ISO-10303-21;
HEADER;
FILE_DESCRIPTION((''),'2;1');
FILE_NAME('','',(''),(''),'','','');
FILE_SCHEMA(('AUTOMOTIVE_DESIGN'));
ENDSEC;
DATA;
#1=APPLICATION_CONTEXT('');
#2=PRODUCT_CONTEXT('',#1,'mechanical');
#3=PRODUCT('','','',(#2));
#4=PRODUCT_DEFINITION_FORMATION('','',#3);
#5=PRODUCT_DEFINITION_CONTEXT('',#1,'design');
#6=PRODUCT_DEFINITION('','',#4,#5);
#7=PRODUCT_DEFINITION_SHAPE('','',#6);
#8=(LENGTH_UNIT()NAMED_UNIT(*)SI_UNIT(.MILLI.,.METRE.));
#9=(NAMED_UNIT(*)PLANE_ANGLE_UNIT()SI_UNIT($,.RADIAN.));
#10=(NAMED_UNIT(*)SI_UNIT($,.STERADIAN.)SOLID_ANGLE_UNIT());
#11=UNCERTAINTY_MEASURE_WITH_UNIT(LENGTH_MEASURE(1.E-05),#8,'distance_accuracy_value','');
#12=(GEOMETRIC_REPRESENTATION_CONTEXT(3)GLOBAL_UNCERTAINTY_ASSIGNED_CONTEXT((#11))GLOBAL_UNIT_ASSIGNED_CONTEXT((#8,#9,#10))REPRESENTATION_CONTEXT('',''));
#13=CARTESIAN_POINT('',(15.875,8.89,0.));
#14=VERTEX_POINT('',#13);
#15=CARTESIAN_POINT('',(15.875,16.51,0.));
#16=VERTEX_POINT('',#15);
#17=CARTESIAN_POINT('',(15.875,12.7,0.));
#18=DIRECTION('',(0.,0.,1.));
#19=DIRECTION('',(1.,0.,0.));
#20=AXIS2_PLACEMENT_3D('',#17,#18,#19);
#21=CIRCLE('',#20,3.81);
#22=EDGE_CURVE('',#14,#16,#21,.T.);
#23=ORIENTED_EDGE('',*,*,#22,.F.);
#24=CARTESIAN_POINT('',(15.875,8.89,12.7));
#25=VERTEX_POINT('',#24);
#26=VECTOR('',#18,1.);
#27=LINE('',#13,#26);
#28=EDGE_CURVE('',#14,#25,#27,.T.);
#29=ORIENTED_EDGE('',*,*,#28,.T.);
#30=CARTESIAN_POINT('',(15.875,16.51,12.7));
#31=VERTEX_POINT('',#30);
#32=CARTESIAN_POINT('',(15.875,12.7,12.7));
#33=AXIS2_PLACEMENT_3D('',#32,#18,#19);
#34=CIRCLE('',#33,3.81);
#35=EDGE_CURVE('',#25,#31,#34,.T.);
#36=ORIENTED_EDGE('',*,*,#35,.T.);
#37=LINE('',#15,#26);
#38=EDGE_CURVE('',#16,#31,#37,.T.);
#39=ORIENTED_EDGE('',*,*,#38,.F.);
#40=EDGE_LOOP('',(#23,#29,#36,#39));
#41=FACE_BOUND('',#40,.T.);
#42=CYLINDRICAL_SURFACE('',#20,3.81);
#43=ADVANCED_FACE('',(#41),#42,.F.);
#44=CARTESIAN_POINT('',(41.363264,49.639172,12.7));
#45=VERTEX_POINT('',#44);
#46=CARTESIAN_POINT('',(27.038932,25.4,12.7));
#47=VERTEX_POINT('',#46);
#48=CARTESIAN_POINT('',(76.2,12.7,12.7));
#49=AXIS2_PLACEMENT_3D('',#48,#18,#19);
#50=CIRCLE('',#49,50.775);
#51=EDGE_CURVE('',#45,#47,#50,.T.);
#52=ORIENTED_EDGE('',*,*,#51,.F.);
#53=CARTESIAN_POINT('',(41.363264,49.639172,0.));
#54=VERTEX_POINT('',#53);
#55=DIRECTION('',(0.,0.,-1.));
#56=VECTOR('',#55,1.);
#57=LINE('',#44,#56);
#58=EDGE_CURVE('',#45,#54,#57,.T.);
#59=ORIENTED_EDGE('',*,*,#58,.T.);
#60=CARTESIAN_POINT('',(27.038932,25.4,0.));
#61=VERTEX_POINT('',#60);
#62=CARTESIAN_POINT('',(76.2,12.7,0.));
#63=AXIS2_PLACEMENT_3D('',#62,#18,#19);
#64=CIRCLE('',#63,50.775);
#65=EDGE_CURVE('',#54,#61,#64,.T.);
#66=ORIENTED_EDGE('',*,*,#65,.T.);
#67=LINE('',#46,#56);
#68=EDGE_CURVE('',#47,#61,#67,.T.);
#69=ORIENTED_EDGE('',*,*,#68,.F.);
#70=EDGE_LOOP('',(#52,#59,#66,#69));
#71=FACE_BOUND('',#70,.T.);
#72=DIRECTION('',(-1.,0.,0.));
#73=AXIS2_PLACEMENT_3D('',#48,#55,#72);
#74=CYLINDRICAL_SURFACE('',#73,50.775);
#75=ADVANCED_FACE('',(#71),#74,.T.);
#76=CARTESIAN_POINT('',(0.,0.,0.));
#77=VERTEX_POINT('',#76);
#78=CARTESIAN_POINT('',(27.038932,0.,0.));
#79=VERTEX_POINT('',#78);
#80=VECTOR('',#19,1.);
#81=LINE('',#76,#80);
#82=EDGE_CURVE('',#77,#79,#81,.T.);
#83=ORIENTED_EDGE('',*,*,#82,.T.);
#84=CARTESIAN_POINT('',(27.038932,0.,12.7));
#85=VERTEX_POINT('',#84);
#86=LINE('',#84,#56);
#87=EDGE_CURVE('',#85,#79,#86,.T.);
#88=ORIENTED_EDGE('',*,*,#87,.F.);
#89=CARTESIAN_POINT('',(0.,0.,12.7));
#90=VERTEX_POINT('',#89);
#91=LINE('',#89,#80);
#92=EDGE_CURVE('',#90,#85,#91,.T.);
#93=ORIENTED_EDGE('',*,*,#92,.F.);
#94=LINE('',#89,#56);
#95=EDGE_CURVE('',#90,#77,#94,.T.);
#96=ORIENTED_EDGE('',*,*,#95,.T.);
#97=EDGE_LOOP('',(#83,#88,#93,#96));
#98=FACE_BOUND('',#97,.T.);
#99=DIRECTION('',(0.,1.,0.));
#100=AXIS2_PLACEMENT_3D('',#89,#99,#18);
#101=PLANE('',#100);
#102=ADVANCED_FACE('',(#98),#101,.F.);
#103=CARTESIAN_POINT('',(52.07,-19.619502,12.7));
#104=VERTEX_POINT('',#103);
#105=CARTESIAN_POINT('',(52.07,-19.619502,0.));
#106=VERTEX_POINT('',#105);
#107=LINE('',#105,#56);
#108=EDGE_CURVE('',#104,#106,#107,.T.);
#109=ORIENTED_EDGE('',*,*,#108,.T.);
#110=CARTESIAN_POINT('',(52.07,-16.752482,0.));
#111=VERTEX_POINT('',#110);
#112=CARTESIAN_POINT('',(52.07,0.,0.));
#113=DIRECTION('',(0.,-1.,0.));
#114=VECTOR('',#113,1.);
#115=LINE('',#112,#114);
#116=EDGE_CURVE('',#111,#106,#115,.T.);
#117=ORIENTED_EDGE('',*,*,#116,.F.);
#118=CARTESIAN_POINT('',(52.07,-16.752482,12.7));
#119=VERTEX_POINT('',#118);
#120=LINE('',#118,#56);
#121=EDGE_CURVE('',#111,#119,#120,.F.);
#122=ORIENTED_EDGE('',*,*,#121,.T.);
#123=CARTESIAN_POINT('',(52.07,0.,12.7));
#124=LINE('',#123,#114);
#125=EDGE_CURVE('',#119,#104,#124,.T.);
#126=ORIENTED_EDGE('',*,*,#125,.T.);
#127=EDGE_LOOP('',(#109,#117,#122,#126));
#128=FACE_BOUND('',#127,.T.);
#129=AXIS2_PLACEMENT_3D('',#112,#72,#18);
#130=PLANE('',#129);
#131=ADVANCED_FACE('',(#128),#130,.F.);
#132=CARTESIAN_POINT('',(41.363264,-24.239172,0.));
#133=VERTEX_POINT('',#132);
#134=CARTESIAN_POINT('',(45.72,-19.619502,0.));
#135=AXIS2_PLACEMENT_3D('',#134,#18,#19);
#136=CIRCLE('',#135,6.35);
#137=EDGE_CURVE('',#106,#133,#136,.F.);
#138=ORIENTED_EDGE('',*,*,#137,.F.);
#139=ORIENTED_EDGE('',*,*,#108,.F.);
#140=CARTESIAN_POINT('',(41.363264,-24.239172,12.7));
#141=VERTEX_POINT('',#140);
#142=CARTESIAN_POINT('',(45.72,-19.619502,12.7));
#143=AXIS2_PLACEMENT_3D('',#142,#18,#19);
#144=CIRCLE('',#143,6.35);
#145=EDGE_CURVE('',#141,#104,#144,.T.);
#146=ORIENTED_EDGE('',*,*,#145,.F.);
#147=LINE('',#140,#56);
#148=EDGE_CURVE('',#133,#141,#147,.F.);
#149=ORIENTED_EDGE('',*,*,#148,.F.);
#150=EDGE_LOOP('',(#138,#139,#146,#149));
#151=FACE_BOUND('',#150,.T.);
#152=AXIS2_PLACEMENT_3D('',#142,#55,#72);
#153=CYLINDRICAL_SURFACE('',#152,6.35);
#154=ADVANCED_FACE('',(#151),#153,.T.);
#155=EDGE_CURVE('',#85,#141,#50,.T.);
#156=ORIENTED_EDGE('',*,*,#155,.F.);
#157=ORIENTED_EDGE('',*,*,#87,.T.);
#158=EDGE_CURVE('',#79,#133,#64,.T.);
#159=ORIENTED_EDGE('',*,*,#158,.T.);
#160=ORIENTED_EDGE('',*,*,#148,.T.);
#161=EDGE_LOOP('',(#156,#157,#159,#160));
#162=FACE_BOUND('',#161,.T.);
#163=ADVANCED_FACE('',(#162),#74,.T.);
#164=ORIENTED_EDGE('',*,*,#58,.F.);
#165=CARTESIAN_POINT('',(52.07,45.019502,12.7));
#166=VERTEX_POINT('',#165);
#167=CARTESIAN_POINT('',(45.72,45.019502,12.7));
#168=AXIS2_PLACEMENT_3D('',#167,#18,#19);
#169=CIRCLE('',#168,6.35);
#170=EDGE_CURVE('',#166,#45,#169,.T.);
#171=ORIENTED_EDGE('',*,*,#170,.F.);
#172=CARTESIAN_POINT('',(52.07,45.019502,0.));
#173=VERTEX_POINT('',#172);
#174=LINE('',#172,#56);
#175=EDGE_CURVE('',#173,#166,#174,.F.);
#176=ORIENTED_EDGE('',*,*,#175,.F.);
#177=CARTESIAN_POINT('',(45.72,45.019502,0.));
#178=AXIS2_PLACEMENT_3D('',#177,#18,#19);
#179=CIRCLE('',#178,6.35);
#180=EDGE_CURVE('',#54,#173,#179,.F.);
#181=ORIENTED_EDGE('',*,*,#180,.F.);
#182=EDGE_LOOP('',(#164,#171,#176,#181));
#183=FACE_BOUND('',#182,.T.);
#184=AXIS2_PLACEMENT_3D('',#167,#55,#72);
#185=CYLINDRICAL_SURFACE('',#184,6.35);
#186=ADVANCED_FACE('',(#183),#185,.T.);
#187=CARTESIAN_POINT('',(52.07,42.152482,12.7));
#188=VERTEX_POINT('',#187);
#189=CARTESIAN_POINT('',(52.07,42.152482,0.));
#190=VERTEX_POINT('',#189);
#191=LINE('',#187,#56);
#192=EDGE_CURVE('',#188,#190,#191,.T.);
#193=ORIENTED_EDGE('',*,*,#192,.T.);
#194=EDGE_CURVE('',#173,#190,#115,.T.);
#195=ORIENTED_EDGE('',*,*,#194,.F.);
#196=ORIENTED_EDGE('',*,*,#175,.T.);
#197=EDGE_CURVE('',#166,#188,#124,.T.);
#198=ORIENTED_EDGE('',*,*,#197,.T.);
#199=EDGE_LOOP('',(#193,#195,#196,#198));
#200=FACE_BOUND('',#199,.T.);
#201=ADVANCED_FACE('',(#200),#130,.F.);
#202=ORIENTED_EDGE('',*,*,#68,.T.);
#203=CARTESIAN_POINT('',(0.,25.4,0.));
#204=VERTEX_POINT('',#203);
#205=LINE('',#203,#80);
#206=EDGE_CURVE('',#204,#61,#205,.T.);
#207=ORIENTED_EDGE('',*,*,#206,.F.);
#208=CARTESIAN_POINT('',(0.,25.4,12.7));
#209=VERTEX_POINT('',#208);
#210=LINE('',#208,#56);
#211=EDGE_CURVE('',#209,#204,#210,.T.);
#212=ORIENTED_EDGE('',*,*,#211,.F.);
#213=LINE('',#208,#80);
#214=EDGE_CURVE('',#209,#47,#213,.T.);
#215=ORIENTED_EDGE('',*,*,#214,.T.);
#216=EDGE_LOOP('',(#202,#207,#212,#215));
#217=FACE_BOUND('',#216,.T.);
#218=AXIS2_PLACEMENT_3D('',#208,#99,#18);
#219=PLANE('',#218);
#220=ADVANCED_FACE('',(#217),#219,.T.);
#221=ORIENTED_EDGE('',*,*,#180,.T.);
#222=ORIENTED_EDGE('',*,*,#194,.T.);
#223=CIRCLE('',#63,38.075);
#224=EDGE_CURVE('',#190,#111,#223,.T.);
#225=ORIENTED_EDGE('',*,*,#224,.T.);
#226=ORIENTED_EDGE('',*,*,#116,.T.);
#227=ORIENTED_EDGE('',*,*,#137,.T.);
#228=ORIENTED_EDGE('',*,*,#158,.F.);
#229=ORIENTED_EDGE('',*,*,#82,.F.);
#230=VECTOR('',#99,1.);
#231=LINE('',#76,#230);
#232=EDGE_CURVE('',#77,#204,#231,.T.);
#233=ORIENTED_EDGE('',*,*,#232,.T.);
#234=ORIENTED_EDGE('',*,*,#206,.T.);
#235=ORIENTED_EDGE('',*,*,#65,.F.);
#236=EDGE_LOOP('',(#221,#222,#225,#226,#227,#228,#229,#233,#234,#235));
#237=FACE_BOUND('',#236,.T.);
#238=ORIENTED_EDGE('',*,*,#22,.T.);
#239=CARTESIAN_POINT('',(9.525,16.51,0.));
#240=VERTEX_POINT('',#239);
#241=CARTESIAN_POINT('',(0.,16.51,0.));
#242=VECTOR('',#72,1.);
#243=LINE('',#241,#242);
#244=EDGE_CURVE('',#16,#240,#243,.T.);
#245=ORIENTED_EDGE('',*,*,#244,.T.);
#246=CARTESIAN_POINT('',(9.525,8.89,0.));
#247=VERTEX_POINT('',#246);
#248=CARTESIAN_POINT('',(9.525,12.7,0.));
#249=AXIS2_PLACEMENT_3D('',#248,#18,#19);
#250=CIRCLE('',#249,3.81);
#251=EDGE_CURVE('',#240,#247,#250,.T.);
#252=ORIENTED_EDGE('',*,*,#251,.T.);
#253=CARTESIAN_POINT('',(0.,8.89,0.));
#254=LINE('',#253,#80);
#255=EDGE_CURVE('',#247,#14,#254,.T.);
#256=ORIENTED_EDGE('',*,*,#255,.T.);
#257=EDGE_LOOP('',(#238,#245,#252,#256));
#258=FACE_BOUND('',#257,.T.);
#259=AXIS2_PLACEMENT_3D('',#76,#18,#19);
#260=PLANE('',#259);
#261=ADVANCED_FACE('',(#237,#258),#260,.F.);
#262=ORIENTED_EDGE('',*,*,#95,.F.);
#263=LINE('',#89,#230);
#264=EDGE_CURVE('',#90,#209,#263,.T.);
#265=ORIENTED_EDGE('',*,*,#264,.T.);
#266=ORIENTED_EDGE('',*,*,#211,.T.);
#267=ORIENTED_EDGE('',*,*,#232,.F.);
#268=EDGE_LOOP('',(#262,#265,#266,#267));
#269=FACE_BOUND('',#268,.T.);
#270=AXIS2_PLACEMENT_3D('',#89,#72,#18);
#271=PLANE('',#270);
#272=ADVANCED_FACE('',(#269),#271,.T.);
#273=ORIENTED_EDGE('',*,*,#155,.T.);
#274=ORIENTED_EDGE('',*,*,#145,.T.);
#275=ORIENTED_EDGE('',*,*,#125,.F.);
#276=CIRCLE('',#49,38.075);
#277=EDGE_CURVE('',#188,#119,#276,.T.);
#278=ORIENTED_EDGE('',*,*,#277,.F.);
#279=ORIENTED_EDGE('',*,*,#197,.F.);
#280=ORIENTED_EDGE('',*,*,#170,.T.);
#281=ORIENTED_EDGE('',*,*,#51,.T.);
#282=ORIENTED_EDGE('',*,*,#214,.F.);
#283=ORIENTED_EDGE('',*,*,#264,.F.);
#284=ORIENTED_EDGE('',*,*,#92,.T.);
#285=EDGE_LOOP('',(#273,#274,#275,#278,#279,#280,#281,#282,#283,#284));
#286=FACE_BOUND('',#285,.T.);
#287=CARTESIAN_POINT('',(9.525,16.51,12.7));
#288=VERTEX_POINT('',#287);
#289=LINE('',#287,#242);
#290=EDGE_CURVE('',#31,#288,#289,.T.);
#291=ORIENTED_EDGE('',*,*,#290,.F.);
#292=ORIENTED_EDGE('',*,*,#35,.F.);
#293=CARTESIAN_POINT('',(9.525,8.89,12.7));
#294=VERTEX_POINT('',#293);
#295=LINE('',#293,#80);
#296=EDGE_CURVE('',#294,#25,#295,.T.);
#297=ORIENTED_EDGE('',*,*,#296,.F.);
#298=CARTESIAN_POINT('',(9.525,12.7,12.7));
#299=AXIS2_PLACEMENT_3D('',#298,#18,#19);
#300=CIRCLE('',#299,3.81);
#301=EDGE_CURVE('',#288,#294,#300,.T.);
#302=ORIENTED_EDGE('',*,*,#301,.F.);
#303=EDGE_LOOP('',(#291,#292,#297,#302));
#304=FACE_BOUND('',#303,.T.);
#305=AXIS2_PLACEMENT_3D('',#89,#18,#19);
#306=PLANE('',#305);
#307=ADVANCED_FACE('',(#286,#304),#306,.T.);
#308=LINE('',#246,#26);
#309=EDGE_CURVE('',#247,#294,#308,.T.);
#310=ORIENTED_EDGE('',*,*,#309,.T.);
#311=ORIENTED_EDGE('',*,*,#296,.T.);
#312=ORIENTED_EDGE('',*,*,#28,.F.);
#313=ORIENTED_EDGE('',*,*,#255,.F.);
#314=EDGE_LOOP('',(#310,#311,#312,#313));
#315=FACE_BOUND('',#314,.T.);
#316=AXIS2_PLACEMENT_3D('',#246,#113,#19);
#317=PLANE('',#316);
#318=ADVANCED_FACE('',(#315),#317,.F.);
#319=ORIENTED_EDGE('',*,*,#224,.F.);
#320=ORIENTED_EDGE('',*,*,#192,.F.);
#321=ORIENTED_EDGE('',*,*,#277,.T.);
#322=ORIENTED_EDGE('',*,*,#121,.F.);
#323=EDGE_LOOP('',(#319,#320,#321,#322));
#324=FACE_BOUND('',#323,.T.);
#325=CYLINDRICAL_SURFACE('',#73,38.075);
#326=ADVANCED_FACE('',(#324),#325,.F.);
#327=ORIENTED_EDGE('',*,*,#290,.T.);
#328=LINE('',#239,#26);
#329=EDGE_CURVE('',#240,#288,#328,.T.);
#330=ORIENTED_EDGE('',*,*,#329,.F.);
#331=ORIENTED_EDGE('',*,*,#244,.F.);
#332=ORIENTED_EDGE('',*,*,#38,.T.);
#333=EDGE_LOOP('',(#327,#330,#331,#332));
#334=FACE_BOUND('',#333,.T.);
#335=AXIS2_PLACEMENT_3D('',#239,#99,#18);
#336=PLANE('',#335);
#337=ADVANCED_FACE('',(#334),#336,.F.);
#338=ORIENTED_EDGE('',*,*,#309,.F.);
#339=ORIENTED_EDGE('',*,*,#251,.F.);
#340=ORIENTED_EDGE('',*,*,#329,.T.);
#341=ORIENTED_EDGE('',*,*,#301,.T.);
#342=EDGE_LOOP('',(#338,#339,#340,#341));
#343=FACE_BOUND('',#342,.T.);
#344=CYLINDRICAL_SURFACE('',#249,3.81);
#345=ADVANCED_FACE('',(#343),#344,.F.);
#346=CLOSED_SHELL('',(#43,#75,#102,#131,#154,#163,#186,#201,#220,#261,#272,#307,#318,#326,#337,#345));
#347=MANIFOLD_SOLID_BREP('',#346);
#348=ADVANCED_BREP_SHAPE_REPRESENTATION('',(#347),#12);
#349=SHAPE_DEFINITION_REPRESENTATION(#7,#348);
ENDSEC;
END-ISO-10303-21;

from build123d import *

# Parameters (mm, degrees)
SKETCH1_R           = 3.81
BOSS_EXTRUDE1_DEPTH = 12.7
SKETCH5_W           = 108.117548543
SKETCH5_H           = 153.094987558
CUT_EXTRUDE2_DEPTH  = 18.78
FILLET1_R           = 6.35
CUT_EXTRUDE3_DEPTH  = 13.7
SKETCH4_R           = 4.7625
CUT_EXTRUDE1_DEPTH  = 12.7


with BuildPart() as part:
    # Sketch1 → Boss-Extrude1 (new body)
    with BuildSketch(Plane.XY):
        with BuildLine():
            Line((0, 25.4), (0, 0))
            Line((0, 0), (27.038931816, 0))
            ThreePointArc((27.038931816, 0), (25.425, 12.7), (27.038931816, 25.4))
            Line((27.038931816, 25.4), (0, 25.4))
        make_face()
        with Locations((12.7, 12.7)):
            Circle(SKETCH1_R, mode=Mode.SUBTRACT)
        with BuildLine():
            ThreePointArc((27.038931816, 25.4), (25.425, 12.7), (27.038931816, 0))
            Line((27.038931816, 0), (40.305493108, 0))
            ThreePointArc((40.305493108, 0), (38.125, 12.7), (40.305493108, 25.4))
            Line((40.305493108, 25.4), (27.038931816, 25.4))
        make_face()
        with BuildLine():
            ThreePointArc((69.85, 63.076364746), (42.655301643, 50.816319827), (27.038931816, 25.4))
            Line((27.038931816, 25.4), (40.305493108, 25.4))
            ThreePointArc((40.305493108, 25.4), (51.696372754, 41.842372532), (69.85, 50.241751757))
            Line((69.85, 50.241751757), (69.85, 63.076364746))
        make_face()
        with BuildLine():
            Line((40.305493108, 0), (27.038931816, 0))
            ThreePointArc((27.038931816, 0), (42.655301643, -25.416319827), (69.85, -37.676364746))
            Line((69.85, -37.676364746), (69.85, -24.841751757))
            ThreePointArc((69.85, -24.841751757), (51.696372754, -16.442372532), (40.305493108, 0))
        make_face()
    extrude(amount=BOSS_EXTRUDE1_DEPTH)

    # Sketch5 → Cut-Extrude2 (cut, through all)
    with BuildSketch(Plane(origin=(52.07, 0, 0), x_dir=(0, 0, -1), z_dir=(1, 0, 0))):
        with Locations((4.394422663, 1.362842318)):
            Rectangle(SKETCH5_W, SKETCH5_H)
    extrude(amount=CUT_EXTRUDE2_DEPTH, mode=Mode.SUBTRACT)

    # Fillet1
    fillet1_edges = [part.edges().sort_by_distance(p)[0] for p in [
        (52.07, 57.374866816, 6.35),
        (52.07, -31.974866816, 6.35),
    ]]
    fillet(fillet1_edges, radius=FILLET1_R)

    # Sketch6 → Cut-Extrude3 (cut, through all)
    with BuildSketch(Plane.XY.offset(12.7)):
        with BuildLine():
            Line((9.525, 16.51), (15.875, 16.51))
            ThreePointArc((15.875, 16.51), (19.685, 12.7), (15.875, 8.89))
            Line((15.875, 8.89), (9.525, 8.89))
            ThreePointArc((9.525, 8.89), (5.715, 12.7), (9.525, 16.51))
        make_face()
    extrude(amount=-CUT_EXTRUDE3_DEPTH, mode=Mode.SUBTRACT)

    # Sketch4 → Cut-Extrude1 (cut)
    with BuildSketch(Plane(origin=(53.975, 0, 0), x_dir=(0, 0, -1), z_dir=(1, 0, 0))):
        with Locations((-6.35, -31.259058251)):
            Circle(SKETCH4_R)
        with Locations((-6.35, 56.659058251)):
            Circle(SKETCH4_R)
    extrude(amount=-CUT_EXTRUDE1_DEPTH, mode=Mode.SUBTRACT)


solid = part.part
